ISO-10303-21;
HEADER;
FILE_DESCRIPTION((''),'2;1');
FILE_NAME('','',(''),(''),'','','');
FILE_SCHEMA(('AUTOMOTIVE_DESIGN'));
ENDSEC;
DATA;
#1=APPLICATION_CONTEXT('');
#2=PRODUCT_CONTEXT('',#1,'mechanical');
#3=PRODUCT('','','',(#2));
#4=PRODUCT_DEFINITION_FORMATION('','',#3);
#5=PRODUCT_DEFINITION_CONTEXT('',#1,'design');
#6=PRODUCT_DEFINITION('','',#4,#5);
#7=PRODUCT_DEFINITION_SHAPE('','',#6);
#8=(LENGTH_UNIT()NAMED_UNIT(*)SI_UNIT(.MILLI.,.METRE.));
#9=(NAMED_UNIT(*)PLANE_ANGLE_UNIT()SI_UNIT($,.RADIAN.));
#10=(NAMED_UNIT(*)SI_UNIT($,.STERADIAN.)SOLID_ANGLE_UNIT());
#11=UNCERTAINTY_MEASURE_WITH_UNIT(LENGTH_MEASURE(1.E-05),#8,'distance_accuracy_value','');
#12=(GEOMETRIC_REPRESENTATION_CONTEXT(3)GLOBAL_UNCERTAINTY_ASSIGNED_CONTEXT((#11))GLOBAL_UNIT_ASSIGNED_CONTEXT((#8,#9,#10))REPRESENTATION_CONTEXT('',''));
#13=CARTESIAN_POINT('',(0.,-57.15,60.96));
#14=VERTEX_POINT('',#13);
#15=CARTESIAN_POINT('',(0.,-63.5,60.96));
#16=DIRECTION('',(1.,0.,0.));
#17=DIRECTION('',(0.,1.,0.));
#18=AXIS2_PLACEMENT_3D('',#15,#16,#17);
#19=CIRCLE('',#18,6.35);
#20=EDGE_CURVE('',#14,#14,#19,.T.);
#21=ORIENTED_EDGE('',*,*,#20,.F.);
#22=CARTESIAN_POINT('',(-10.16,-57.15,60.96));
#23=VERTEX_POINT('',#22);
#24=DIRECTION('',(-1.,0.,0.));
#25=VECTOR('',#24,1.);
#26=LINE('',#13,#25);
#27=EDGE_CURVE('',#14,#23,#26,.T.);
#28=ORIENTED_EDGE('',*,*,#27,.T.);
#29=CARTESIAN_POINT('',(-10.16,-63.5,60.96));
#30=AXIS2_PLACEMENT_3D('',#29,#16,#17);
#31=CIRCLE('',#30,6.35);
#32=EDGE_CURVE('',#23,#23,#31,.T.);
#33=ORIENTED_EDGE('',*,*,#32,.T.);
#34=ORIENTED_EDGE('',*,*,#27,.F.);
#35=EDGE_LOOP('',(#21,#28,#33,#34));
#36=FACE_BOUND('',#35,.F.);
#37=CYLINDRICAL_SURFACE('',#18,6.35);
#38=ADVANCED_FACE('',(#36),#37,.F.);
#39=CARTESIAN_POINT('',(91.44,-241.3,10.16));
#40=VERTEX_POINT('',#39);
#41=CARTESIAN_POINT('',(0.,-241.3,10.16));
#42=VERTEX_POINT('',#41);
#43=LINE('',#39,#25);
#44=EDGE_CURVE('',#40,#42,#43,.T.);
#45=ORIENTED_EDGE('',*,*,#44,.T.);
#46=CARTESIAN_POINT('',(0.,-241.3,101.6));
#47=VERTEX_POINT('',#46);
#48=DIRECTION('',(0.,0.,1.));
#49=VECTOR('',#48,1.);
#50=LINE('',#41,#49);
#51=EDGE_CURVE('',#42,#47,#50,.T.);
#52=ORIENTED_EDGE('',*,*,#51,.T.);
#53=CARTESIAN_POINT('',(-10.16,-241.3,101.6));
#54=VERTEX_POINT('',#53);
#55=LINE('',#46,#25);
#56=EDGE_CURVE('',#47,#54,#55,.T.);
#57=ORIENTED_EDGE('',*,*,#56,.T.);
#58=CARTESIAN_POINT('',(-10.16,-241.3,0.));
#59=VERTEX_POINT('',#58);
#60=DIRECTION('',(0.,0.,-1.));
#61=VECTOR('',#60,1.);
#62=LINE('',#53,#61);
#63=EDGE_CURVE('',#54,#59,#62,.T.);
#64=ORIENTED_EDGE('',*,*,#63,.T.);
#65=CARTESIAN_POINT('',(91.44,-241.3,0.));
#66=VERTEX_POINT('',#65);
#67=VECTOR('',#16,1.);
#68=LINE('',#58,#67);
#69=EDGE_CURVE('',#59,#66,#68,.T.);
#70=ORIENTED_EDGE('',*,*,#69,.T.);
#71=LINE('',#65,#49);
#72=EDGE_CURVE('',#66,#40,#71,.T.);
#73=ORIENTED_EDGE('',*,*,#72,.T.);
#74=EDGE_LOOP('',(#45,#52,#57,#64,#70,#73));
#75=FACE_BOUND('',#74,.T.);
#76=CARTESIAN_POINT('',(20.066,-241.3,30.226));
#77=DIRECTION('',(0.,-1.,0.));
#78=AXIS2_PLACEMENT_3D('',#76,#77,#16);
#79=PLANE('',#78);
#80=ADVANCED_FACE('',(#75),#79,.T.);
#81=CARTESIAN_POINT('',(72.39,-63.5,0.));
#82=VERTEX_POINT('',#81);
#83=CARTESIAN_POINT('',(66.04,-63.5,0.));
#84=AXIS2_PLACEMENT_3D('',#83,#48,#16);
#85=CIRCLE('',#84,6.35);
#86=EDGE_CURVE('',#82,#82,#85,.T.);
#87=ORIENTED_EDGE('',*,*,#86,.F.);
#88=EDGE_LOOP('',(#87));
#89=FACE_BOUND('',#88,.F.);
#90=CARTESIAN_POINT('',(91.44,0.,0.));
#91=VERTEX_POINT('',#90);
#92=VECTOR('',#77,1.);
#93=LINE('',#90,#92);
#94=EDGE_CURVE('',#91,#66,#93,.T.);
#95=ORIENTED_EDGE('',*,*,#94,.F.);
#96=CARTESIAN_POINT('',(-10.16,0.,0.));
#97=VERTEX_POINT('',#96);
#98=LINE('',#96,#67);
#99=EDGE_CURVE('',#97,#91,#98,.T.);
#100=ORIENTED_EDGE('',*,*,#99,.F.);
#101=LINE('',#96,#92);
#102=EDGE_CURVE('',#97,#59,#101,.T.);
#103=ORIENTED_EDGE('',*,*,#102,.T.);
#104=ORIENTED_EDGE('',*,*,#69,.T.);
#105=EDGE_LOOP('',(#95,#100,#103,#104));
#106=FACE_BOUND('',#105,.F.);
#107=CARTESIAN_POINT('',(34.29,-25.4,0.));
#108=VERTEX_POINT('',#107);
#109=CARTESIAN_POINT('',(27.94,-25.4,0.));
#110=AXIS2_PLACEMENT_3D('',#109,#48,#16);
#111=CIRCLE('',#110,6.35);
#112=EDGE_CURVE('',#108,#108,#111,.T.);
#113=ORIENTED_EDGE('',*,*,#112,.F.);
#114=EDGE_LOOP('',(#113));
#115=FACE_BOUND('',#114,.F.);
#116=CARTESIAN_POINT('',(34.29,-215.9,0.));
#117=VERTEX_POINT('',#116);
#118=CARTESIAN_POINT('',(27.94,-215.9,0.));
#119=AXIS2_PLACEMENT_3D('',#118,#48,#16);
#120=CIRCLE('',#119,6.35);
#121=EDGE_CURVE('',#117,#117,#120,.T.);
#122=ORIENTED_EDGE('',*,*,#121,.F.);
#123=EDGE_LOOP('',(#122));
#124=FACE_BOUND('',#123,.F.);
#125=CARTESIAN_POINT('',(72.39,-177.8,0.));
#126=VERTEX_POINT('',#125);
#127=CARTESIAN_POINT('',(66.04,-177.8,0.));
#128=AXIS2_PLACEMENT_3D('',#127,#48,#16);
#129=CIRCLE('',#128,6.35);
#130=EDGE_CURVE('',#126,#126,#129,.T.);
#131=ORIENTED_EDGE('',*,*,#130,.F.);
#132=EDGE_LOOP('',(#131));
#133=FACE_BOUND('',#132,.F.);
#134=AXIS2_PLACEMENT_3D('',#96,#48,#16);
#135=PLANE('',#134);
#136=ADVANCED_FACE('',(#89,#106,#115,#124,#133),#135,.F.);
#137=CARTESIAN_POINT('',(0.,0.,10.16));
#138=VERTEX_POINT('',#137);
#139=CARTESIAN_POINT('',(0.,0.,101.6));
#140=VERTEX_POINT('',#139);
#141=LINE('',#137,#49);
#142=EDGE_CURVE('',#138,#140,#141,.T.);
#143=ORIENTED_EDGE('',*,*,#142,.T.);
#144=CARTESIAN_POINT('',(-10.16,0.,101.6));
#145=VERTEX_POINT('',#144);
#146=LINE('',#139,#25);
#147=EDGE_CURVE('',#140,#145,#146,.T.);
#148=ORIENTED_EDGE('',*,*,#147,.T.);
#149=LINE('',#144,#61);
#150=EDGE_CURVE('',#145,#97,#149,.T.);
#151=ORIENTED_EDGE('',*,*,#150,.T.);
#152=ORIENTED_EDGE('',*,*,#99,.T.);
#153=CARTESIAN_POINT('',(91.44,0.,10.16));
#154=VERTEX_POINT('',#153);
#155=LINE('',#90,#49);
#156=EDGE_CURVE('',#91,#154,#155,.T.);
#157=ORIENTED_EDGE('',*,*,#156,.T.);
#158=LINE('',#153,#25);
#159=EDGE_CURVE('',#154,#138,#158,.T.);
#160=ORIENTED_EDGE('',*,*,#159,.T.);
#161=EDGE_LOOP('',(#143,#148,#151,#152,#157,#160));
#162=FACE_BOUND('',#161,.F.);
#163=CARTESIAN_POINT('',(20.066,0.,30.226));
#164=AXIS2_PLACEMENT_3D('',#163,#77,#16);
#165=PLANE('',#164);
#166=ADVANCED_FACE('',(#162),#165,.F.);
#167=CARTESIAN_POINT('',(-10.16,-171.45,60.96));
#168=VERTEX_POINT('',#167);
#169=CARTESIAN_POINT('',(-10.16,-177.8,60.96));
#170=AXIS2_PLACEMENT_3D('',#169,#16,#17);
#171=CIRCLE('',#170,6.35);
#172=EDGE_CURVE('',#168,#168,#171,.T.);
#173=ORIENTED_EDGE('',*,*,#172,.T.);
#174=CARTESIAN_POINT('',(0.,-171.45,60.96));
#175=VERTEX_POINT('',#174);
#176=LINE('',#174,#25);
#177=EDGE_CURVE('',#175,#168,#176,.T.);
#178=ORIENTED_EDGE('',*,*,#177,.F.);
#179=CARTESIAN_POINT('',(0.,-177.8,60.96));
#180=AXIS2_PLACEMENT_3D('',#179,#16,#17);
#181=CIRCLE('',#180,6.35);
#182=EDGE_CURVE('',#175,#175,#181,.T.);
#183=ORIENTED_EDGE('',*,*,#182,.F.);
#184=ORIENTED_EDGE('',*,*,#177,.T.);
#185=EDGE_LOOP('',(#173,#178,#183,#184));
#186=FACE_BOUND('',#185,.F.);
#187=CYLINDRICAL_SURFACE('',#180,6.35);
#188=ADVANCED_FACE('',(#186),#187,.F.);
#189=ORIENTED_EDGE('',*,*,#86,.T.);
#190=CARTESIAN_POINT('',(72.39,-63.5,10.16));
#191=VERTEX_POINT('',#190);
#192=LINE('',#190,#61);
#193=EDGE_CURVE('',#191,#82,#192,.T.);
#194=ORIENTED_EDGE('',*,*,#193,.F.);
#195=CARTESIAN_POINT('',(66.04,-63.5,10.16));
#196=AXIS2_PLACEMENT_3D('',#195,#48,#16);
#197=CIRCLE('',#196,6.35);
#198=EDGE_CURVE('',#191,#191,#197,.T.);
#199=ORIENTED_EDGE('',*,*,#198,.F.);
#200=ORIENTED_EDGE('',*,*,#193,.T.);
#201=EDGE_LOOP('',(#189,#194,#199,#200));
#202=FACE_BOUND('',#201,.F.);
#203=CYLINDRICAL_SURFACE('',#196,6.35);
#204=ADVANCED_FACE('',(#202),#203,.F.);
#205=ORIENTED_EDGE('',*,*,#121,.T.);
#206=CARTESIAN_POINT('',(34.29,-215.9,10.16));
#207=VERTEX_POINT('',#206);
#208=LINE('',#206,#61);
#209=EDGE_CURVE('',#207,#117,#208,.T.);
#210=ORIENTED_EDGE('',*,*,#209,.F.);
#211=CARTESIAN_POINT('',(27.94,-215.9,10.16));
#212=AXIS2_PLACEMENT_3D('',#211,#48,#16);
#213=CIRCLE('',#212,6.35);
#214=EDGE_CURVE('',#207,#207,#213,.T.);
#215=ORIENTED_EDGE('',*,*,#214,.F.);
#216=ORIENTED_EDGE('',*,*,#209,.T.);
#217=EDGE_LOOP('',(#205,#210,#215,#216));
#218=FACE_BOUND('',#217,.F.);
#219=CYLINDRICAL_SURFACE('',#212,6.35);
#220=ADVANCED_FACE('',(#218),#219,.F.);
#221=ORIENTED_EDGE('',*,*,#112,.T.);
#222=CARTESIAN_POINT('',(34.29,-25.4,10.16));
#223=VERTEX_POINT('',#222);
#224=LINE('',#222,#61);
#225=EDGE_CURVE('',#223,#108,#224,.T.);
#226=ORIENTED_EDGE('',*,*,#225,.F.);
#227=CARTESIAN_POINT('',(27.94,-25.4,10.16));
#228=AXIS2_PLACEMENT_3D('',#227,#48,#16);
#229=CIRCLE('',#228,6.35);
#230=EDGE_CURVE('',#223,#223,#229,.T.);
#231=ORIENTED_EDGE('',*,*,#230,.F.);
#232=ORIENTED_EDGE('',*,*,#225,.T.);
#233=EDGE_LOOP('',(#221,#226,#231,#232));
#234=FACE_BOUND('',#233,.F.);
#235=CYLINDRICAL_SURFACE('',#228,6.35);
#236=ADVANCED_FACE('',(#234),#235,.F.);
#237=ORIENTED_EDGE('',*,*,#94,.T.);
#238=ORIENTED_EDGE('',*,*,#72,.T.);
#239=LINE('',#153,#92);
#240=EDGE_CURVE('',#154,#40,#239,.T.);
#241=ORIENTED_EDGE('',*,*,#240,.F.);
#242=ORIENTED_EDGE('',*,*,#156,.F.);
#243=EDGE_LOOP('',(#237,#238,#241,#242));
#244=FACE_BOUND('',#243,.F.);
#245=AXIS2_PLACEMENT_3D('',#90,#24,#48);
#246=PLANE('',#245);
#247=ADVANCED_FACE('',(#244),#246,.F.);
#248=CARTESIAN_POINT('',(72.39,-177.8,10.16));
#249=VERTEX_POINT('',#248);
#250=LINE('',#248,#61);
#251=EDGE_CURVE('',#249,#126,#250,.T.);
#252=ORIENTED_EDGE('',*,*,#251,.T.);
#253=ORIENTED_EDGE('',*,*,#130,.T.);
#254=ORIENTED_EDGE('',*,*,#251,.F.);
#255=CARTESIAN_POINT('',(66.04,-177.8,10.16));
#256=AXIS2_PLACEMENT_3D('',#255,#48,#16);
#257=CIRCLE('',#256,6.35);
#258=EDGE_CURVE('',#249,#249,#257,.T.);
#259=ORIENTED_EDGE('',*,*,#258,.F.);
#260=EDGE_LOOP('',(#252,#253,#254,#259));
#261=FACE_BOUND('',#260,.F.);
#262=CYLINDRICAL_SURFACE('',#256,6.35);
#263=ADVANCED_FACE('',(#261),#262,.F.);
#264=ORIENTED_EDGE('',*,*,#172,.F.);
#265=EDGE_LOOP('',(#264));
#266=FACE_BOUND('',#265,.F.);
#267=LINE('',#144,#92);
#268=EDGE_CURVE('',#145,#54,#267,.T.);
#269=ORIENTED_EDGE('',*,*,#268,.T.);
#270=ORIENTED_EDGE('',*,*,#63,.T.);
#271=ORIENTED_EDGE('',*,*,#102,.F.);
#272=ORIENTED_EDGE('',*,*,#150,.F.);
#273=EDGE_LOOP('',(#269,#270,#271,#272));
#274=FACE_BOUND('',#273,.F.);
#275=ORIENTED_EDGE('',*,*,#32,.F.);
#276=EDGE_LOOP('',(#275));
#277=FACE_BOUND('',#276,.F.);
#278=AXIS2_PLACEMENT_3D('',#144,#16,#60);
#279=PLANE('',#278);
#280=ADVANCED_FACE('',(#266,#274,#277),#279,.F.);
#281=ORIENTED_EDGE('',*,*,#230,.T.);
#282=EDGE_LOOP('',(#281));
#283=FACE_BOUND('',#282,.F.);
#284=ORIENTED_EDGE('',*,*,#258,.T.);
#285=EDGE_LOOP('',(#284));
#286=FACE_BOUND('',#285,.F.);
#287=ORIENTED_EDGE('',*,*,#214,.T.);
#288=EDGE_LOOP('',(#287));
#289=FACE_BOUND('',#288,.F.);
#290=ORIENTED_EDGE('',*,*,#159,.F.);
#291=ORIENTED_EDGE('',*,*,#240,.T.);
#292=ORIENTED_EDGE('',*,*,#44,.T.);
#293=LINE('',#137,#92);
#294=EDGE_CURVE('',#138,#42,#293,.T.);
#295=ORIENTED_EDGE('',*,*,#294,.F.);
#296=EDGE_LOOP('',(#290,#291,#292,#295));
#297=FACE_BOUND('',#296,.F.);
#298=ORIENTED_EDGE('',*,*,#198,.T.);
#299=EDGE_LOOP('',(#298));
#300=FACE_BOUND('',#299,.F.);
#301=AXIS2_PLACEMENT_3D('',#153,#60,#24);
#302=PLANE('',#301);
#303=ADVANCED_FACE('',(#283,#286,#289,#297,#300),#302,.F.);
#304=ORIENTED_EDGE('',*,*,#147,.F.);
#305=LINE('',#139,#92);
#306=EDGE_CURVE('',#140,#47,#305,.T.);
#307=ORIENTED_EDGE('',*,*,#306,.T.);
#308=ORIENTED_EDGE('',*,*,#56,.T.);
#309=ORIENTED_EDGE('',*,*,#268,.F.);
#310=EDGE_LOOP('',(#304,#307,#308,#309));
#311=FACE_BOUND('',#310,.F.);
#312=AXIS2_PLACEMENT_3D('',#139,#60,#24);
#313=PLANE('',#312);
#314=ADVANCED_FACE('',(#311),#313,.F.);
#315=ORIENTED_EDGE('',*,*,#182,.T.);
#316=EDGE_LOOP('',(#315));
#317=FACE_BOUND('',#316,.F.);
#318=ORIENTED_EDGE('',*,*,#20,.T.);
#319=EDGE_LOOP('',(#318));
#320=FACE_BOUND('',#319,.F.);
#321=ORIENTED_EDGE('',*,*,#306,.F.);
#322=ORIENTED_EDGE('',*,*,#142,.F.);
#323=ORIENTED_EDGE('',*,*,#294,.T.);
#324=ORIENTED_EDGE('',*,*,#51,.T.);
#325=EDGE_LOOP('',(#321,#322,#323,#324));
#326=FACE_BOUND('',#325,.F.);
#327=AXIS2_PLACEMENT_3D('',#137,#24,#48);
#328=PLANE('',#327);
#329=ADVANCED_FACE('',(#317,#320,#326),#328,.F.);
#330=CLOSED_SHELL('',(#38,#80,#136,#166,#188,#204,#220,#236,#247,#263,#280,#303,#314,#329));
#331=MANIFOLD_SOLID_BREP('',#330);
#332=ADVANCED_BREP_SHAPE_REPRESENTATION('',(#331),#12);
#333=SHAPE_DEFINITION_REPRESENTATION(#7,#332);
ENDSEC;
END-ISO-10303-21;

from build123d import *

# Parameters (mm, degrees)
F1_DEPTH = 241.3
F2_R     = 6.35
F3_DEPTH = 50.8
F4_R     = 6.35
F5_DEPTH = 25.4


with BuildPart() as f1:
    # F0 (on Front) → F1 (new body)
    with BuildSketch(Plane.XZ):
        Polygon((-10.16, 0), (0, 0), (91.44, 0), (91.44, 10.16), (0, 10.16), (0, 101.6), (-10.16, 101.6), (-10.16, 10.16), align=None)
    extrude(amount=F1_DEPTH)

    # F2 (on face) → F3 (cut)
    with BuildSketch(Plane.XY.offset(10.16)):
        with Locations((27.94, -25.4)):
            Circle(F2_R)
        with Locations((66.04, -63.5)):
            Circle(F2_R)
        with Locations((66.04, -177.8)):
            Circle(F2_R)
        with Locations((27.94, -215.9)):
            Circle(F2_R)
    extrude(amount=-F3_DEPTH, mode=Mode.SUBTRACT)

    # F4 (on face) → F5 (cut)
    with BuildSketch(Plane.YZ):
        with Locations((-177.8, 60.96)):
            Circle(F4_R)
        with Locations((-63.5, 60.96)):
            Circle(F4_R)
    extrude(amount=-F5_DEPTH, mode=Mode.SUBTRACT)


solid = f1.part
